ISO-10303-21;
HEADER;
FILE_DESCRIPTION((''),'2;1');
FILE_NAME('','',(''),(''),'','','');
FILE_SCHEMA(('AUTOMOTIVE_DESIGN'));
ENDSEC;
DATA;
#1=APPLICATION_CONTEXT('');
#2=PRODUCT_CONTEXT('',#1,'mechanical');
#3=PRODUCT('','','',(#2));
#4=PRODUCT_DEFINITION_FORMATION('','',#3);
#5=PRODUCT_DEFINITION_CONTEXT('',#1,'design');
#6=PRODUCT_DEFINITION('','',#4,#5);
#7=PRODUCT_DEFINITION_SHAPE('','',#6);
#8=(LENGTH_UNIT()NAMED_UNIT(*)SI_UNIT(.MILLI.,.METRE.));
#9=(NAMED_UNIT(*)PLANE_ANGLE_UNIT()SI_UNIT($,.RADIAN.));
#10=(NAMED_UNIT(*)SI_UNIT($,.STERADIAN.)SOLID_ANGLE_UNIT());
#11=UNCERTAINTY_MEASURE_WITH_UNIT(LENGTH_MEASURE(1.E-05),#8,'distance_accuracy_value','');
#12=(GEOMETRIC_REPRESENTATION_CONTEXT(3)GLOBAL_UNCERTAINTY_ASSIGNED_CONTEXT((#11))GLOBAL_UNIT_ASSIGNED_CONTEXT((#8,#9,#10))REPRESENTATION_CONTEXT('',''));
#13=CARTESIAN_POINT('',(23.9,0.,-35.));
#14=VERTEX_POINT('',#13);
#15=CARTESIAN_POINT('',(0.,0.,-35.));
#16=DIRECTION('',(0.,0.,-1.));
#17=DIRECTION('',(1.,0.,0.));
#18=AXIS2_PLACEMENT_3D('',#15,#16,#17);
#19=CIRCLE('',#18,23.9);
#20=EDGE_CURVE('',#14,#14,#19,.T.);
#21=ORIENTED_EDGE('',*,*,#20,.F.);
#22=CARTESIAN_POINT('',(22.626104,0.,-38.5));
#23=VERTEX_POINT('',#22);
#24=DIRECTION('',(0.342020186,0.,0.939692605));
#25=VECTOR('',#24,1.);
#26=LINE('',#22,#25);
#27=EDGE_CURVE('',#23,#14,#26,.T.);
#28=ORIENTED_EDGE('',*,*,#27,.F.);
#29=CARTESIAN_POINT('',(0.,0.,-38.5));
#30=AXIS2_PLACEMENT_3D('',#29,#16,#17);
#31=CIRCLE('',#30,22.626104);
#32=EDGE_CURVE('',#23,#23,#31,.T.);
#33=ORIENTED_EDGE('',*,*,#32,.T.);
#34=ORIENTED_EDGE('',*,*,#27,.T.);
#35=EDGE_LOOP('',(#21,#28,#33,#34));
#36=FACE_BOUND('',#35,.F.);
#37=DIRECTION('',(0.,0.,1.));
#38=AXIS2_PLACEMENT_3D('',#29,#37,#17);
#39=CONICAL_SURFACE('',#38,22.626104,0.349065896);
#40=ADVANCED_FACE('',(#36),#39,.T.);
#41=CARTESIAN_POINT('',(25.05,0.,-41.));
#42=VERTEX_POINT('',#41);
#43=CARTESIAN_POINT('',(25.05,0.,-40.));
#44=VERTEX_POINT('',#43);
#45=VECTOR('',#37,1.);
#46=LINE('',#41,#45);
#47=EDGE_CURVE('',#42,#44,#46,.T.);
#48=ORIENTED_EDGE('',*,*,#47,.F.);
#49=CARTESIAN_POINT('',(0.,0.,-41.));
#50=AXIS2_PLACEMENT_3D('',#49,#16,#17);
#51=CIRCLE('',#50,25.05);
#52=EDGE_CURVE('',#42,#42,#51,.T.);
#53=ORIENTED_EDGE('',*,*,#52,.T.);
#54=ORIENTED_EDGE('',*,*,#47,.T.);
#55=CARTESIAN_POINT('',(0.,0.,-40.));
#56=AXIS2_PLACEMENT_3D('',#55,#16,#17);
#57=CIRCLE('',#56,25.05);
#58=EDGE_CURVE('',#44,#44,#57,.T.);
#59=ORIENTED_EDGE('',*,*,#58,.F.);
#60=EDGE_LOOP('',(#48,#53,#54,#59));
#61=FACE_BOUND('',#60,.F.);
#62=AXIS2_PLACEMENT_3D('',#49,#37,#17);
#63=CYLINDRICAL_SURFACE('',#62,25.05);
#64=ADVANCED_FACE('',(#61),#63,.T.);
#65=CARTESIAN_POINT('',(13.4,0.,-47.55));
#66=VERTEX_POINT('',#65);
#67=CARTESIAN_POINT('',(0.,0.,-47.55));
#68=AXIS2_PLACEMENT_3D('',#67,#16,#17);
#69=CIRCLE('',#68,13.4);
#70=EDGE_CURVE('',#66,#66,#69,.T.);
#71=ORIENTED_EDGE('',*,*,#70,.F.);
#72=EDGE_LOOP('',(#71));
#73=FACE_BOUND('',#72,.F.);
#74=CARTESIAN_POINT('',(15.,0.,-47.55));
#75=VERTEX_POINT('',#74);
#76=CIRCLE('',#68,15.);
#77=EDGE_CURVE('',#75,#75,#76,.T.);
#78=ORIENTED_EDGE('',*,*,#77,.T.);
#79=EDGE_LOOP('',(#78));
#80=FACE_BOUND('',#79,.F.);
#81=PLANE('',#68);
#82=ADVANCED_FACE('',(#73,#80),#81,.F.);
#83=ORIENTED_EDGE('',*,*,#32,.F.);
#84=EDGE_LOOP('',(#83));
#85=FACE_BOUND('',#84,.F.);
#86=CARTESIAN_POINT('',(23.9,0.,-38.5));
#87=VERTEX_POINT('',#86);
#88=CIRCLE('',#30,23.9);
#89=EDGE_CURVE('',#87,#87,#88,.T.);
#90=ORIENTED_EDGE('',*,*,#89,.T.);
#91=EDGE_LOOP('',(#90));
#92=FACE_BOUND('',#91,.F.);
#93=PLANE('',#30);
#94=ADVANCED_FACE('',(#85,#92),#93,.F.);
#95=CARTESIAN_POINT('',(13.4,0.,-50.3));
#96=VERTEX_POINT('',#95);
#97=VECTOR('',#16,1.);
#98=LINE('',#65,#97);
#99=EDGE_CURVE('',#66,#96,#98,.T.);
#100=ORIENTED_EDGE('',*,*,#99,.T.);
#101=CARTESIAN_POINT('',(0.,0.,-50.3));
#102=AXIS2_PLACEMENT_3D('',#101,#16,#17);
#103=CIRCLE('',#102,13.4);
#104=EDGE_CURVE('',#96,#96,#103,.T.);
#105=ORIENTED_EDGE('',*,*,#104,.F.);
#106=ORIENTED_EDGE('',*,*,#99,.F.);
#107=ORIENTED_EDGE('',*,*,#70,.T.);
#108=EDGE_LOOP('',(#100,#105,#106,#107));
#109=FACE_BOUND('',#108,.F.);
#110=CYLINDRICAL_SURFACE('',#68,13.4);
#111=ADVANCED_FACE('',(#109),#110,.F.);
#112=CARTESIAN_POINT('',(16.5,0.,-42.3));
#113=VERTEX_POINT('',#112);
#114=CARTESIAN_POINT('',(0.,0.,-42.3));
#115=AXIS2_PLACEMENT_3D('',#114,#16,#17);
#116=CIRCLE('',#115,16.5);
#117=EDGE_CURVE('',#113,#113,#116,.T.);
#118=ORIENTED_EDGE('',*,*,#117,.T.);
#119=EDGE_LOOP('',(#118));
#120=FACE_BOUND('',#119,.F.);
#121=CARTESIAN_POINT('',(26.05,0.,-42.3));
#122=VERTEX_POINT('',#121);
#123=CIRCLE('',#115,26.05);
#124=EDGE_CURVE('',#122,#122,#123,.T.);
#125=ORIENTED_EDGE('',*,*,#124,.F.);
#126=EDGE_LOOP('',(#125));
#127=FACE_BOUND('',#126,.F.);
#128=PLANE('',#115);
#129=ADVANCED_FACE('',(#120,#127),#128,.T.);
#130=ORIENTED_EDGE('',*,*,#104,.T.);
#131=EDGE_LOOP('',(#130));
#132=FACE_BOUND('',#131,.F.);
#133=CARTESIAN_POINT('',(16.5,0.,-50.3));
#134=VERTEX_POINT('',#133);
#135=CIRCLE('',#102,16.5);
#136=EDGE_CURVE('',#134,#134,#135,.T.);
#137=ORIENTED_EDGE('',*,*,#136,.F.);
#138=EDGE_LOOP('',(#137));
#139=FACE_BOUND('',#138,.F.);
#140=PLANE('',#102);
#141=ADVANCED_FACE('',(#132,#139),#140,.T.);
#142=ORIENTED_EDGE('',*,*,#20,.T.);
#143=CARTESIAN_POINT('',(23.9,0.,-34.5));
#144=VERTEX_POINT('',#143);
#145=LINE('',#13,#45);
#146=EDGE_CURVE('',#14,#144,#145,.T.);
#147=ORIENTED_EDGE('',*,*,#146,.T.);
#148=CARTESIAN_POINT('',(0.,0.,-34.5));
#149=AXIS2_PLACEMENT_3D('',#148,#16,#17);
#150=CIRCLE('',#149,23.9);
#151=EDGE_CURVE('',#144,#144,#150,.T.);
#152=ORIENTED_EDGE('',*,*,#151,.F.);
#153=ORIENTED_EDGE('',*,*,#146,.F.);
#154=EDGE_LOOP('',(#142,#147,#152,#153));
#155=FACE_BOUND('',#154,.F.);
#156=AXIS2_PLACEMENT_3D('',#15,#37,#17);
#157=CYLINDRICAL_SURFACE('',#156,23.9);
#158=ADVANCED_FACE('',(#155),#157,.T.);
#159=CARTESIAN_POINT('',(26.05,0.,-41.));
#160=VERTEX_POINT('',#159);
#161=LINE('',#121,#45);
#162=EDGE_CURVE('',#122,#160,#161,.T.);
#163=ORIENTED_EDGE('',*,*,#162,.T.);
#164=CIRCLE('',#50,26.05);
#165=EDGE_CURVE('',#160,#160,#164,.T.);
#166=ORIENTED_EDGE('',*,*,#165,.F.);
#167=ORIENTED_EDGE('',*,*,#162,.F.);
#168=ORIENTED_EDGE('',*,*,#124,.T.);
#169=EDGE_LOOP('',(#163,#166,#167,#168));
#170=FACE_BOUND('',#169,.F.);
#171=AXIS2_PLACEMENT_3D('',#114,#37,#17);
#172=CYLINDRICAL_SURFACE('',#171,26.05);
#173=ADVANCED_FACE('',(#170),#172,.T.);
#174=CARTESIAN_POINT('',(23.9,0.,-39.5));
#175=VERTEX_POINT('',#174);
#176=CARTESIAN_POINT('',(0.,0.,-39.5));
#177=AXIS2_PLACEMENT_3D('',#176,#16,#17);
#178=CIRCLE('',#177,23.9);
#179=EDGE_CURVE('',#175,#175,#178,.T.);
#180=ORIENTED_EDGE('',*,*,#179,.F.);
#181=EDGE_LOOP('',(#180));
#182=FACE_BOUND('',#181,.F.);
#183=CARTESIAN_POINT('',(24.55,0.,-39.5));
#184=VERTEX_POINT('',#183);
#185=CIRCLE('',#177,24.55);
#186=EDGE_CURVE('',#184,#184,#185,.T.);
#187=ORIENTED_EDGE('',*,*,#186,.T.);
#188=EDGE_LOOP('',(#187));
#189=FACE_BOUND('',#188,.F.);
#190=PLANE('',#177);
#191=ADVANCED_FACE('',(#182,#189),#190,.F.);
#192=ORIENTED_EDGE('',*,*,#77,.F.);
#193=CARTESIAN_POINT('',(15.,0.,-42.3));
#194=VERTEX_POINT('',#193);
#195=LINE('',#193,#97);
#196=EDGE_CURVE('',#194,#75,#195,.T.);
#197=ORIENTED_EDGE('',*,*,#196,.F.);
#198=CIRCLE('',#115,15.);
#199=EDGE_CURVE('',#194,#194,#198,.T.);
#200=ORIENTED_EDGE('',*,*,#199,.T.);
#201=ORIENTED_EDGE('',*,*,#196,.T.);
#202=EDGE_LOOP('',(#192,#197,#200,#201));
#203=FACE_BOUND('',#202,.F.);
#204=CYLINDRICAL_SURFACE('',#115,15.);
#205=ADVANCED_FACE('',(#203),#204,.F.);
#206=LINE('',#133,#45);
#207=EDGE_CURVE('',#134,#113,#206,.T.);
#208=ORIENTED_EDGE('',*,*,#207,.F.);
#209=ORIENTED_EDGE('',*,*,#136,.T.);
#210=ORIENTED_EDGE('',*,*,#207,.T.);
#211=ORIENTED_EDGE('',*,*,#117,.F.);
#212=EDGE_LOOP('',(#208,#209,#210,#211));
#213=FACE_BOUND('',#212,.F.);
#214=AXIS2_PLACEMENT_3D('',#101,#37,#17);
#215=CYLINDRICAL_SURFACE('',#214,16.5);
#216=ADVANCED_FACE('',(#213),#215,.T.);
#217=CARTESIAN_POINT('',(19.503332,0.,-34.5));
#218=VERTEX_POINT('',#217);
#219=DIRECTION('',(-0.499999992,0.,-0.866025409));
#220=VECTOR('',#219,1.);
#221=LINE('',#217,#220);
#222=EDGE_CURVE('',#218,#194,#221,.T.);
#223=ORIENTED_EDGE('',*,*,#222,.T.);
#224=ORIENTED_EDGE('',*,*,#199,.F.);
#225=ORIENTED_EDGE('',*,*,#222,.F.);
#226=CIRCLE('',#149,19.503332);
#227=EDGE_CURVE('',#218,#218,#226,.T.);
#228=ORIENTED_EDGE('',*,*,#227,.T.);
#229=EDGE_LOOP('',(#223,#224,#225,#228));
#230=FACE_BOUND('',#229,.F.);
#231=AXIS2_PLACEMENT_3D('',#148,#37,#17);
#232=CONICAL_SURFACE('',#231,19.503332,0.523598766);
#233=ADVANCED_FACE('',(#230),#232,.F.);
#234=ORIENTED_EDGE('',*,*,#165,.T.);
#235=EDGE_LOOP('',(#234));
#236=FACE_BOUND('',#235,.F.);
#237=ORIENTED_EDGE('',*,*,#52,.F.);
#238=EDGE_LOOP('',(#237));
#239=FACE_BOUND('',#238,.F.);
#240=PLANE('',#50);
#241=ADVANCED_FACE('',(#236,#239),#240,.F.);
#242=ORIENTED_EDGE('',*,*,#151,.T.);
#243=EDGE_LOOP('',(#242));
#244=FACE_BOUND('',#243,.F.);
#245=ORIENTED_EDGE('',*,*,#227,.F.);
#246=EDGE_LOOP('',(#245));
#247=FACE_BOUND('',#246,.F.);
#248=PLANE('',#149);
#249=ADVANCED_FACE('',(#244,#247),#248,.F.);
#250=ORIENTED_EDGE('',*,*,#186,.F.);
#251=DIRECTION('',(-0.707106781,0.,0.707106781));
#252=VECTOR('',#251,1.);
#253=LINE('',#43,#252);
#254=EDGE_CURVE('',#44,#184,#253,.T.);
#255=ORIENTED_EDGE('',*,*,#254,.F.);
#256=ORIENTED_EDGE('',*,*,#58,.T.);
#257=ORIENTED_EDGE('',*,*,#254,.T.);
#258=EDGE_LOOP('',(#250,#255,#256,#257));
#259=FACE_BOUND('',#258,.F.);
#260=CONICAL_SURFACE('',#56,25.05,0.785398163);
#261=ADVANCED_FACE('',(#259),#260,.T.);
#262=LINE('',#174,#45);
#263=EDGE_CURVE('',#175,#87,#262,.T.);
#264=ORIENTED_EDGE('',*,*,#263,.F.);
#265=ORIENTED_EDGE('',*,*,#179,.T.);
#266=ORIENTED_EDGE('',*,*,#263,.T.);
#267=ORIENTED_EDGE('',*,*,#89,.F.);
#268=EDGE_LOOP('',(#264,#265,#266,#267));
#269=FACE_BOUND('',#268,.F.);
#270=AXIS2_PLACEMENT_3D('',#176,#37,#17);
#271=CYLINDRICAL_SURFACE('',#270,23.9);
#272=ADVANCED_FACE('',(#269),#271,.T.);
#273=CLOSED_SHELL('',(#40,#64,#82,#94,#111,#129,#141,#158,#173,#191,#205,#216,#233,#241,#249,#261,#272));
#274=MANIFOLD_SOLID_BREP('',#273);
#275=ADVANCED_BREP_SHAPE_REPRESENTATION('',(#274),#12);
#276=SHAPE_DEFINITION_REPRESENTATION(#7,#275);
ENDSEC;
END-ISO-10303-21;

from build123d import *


with BuildPart() as f1:
    # F0 (on Front) → F1 (revolve)
    with BuildSketch(Plane.XZ):
        Polygon((23.9, -34.5), (19.503332, -34.5), (15, -42.3), (15, -47.55), (13.4, -47.55), (13.4, -50.3), (16.5, -50.3), (16.5, -42.3), (26.05, -42.3), (26.05, -41), (25.05, -41), (25.05, -40), (24.55, -39.5), (23.9, -39.5), (23.9, -38.5), (22.626104, -38.5), (23.9, -35), align=None)
    revolve(axis=Axis((0, 0, -9.429786), (0, 0, -1)))


solid = f1.part
